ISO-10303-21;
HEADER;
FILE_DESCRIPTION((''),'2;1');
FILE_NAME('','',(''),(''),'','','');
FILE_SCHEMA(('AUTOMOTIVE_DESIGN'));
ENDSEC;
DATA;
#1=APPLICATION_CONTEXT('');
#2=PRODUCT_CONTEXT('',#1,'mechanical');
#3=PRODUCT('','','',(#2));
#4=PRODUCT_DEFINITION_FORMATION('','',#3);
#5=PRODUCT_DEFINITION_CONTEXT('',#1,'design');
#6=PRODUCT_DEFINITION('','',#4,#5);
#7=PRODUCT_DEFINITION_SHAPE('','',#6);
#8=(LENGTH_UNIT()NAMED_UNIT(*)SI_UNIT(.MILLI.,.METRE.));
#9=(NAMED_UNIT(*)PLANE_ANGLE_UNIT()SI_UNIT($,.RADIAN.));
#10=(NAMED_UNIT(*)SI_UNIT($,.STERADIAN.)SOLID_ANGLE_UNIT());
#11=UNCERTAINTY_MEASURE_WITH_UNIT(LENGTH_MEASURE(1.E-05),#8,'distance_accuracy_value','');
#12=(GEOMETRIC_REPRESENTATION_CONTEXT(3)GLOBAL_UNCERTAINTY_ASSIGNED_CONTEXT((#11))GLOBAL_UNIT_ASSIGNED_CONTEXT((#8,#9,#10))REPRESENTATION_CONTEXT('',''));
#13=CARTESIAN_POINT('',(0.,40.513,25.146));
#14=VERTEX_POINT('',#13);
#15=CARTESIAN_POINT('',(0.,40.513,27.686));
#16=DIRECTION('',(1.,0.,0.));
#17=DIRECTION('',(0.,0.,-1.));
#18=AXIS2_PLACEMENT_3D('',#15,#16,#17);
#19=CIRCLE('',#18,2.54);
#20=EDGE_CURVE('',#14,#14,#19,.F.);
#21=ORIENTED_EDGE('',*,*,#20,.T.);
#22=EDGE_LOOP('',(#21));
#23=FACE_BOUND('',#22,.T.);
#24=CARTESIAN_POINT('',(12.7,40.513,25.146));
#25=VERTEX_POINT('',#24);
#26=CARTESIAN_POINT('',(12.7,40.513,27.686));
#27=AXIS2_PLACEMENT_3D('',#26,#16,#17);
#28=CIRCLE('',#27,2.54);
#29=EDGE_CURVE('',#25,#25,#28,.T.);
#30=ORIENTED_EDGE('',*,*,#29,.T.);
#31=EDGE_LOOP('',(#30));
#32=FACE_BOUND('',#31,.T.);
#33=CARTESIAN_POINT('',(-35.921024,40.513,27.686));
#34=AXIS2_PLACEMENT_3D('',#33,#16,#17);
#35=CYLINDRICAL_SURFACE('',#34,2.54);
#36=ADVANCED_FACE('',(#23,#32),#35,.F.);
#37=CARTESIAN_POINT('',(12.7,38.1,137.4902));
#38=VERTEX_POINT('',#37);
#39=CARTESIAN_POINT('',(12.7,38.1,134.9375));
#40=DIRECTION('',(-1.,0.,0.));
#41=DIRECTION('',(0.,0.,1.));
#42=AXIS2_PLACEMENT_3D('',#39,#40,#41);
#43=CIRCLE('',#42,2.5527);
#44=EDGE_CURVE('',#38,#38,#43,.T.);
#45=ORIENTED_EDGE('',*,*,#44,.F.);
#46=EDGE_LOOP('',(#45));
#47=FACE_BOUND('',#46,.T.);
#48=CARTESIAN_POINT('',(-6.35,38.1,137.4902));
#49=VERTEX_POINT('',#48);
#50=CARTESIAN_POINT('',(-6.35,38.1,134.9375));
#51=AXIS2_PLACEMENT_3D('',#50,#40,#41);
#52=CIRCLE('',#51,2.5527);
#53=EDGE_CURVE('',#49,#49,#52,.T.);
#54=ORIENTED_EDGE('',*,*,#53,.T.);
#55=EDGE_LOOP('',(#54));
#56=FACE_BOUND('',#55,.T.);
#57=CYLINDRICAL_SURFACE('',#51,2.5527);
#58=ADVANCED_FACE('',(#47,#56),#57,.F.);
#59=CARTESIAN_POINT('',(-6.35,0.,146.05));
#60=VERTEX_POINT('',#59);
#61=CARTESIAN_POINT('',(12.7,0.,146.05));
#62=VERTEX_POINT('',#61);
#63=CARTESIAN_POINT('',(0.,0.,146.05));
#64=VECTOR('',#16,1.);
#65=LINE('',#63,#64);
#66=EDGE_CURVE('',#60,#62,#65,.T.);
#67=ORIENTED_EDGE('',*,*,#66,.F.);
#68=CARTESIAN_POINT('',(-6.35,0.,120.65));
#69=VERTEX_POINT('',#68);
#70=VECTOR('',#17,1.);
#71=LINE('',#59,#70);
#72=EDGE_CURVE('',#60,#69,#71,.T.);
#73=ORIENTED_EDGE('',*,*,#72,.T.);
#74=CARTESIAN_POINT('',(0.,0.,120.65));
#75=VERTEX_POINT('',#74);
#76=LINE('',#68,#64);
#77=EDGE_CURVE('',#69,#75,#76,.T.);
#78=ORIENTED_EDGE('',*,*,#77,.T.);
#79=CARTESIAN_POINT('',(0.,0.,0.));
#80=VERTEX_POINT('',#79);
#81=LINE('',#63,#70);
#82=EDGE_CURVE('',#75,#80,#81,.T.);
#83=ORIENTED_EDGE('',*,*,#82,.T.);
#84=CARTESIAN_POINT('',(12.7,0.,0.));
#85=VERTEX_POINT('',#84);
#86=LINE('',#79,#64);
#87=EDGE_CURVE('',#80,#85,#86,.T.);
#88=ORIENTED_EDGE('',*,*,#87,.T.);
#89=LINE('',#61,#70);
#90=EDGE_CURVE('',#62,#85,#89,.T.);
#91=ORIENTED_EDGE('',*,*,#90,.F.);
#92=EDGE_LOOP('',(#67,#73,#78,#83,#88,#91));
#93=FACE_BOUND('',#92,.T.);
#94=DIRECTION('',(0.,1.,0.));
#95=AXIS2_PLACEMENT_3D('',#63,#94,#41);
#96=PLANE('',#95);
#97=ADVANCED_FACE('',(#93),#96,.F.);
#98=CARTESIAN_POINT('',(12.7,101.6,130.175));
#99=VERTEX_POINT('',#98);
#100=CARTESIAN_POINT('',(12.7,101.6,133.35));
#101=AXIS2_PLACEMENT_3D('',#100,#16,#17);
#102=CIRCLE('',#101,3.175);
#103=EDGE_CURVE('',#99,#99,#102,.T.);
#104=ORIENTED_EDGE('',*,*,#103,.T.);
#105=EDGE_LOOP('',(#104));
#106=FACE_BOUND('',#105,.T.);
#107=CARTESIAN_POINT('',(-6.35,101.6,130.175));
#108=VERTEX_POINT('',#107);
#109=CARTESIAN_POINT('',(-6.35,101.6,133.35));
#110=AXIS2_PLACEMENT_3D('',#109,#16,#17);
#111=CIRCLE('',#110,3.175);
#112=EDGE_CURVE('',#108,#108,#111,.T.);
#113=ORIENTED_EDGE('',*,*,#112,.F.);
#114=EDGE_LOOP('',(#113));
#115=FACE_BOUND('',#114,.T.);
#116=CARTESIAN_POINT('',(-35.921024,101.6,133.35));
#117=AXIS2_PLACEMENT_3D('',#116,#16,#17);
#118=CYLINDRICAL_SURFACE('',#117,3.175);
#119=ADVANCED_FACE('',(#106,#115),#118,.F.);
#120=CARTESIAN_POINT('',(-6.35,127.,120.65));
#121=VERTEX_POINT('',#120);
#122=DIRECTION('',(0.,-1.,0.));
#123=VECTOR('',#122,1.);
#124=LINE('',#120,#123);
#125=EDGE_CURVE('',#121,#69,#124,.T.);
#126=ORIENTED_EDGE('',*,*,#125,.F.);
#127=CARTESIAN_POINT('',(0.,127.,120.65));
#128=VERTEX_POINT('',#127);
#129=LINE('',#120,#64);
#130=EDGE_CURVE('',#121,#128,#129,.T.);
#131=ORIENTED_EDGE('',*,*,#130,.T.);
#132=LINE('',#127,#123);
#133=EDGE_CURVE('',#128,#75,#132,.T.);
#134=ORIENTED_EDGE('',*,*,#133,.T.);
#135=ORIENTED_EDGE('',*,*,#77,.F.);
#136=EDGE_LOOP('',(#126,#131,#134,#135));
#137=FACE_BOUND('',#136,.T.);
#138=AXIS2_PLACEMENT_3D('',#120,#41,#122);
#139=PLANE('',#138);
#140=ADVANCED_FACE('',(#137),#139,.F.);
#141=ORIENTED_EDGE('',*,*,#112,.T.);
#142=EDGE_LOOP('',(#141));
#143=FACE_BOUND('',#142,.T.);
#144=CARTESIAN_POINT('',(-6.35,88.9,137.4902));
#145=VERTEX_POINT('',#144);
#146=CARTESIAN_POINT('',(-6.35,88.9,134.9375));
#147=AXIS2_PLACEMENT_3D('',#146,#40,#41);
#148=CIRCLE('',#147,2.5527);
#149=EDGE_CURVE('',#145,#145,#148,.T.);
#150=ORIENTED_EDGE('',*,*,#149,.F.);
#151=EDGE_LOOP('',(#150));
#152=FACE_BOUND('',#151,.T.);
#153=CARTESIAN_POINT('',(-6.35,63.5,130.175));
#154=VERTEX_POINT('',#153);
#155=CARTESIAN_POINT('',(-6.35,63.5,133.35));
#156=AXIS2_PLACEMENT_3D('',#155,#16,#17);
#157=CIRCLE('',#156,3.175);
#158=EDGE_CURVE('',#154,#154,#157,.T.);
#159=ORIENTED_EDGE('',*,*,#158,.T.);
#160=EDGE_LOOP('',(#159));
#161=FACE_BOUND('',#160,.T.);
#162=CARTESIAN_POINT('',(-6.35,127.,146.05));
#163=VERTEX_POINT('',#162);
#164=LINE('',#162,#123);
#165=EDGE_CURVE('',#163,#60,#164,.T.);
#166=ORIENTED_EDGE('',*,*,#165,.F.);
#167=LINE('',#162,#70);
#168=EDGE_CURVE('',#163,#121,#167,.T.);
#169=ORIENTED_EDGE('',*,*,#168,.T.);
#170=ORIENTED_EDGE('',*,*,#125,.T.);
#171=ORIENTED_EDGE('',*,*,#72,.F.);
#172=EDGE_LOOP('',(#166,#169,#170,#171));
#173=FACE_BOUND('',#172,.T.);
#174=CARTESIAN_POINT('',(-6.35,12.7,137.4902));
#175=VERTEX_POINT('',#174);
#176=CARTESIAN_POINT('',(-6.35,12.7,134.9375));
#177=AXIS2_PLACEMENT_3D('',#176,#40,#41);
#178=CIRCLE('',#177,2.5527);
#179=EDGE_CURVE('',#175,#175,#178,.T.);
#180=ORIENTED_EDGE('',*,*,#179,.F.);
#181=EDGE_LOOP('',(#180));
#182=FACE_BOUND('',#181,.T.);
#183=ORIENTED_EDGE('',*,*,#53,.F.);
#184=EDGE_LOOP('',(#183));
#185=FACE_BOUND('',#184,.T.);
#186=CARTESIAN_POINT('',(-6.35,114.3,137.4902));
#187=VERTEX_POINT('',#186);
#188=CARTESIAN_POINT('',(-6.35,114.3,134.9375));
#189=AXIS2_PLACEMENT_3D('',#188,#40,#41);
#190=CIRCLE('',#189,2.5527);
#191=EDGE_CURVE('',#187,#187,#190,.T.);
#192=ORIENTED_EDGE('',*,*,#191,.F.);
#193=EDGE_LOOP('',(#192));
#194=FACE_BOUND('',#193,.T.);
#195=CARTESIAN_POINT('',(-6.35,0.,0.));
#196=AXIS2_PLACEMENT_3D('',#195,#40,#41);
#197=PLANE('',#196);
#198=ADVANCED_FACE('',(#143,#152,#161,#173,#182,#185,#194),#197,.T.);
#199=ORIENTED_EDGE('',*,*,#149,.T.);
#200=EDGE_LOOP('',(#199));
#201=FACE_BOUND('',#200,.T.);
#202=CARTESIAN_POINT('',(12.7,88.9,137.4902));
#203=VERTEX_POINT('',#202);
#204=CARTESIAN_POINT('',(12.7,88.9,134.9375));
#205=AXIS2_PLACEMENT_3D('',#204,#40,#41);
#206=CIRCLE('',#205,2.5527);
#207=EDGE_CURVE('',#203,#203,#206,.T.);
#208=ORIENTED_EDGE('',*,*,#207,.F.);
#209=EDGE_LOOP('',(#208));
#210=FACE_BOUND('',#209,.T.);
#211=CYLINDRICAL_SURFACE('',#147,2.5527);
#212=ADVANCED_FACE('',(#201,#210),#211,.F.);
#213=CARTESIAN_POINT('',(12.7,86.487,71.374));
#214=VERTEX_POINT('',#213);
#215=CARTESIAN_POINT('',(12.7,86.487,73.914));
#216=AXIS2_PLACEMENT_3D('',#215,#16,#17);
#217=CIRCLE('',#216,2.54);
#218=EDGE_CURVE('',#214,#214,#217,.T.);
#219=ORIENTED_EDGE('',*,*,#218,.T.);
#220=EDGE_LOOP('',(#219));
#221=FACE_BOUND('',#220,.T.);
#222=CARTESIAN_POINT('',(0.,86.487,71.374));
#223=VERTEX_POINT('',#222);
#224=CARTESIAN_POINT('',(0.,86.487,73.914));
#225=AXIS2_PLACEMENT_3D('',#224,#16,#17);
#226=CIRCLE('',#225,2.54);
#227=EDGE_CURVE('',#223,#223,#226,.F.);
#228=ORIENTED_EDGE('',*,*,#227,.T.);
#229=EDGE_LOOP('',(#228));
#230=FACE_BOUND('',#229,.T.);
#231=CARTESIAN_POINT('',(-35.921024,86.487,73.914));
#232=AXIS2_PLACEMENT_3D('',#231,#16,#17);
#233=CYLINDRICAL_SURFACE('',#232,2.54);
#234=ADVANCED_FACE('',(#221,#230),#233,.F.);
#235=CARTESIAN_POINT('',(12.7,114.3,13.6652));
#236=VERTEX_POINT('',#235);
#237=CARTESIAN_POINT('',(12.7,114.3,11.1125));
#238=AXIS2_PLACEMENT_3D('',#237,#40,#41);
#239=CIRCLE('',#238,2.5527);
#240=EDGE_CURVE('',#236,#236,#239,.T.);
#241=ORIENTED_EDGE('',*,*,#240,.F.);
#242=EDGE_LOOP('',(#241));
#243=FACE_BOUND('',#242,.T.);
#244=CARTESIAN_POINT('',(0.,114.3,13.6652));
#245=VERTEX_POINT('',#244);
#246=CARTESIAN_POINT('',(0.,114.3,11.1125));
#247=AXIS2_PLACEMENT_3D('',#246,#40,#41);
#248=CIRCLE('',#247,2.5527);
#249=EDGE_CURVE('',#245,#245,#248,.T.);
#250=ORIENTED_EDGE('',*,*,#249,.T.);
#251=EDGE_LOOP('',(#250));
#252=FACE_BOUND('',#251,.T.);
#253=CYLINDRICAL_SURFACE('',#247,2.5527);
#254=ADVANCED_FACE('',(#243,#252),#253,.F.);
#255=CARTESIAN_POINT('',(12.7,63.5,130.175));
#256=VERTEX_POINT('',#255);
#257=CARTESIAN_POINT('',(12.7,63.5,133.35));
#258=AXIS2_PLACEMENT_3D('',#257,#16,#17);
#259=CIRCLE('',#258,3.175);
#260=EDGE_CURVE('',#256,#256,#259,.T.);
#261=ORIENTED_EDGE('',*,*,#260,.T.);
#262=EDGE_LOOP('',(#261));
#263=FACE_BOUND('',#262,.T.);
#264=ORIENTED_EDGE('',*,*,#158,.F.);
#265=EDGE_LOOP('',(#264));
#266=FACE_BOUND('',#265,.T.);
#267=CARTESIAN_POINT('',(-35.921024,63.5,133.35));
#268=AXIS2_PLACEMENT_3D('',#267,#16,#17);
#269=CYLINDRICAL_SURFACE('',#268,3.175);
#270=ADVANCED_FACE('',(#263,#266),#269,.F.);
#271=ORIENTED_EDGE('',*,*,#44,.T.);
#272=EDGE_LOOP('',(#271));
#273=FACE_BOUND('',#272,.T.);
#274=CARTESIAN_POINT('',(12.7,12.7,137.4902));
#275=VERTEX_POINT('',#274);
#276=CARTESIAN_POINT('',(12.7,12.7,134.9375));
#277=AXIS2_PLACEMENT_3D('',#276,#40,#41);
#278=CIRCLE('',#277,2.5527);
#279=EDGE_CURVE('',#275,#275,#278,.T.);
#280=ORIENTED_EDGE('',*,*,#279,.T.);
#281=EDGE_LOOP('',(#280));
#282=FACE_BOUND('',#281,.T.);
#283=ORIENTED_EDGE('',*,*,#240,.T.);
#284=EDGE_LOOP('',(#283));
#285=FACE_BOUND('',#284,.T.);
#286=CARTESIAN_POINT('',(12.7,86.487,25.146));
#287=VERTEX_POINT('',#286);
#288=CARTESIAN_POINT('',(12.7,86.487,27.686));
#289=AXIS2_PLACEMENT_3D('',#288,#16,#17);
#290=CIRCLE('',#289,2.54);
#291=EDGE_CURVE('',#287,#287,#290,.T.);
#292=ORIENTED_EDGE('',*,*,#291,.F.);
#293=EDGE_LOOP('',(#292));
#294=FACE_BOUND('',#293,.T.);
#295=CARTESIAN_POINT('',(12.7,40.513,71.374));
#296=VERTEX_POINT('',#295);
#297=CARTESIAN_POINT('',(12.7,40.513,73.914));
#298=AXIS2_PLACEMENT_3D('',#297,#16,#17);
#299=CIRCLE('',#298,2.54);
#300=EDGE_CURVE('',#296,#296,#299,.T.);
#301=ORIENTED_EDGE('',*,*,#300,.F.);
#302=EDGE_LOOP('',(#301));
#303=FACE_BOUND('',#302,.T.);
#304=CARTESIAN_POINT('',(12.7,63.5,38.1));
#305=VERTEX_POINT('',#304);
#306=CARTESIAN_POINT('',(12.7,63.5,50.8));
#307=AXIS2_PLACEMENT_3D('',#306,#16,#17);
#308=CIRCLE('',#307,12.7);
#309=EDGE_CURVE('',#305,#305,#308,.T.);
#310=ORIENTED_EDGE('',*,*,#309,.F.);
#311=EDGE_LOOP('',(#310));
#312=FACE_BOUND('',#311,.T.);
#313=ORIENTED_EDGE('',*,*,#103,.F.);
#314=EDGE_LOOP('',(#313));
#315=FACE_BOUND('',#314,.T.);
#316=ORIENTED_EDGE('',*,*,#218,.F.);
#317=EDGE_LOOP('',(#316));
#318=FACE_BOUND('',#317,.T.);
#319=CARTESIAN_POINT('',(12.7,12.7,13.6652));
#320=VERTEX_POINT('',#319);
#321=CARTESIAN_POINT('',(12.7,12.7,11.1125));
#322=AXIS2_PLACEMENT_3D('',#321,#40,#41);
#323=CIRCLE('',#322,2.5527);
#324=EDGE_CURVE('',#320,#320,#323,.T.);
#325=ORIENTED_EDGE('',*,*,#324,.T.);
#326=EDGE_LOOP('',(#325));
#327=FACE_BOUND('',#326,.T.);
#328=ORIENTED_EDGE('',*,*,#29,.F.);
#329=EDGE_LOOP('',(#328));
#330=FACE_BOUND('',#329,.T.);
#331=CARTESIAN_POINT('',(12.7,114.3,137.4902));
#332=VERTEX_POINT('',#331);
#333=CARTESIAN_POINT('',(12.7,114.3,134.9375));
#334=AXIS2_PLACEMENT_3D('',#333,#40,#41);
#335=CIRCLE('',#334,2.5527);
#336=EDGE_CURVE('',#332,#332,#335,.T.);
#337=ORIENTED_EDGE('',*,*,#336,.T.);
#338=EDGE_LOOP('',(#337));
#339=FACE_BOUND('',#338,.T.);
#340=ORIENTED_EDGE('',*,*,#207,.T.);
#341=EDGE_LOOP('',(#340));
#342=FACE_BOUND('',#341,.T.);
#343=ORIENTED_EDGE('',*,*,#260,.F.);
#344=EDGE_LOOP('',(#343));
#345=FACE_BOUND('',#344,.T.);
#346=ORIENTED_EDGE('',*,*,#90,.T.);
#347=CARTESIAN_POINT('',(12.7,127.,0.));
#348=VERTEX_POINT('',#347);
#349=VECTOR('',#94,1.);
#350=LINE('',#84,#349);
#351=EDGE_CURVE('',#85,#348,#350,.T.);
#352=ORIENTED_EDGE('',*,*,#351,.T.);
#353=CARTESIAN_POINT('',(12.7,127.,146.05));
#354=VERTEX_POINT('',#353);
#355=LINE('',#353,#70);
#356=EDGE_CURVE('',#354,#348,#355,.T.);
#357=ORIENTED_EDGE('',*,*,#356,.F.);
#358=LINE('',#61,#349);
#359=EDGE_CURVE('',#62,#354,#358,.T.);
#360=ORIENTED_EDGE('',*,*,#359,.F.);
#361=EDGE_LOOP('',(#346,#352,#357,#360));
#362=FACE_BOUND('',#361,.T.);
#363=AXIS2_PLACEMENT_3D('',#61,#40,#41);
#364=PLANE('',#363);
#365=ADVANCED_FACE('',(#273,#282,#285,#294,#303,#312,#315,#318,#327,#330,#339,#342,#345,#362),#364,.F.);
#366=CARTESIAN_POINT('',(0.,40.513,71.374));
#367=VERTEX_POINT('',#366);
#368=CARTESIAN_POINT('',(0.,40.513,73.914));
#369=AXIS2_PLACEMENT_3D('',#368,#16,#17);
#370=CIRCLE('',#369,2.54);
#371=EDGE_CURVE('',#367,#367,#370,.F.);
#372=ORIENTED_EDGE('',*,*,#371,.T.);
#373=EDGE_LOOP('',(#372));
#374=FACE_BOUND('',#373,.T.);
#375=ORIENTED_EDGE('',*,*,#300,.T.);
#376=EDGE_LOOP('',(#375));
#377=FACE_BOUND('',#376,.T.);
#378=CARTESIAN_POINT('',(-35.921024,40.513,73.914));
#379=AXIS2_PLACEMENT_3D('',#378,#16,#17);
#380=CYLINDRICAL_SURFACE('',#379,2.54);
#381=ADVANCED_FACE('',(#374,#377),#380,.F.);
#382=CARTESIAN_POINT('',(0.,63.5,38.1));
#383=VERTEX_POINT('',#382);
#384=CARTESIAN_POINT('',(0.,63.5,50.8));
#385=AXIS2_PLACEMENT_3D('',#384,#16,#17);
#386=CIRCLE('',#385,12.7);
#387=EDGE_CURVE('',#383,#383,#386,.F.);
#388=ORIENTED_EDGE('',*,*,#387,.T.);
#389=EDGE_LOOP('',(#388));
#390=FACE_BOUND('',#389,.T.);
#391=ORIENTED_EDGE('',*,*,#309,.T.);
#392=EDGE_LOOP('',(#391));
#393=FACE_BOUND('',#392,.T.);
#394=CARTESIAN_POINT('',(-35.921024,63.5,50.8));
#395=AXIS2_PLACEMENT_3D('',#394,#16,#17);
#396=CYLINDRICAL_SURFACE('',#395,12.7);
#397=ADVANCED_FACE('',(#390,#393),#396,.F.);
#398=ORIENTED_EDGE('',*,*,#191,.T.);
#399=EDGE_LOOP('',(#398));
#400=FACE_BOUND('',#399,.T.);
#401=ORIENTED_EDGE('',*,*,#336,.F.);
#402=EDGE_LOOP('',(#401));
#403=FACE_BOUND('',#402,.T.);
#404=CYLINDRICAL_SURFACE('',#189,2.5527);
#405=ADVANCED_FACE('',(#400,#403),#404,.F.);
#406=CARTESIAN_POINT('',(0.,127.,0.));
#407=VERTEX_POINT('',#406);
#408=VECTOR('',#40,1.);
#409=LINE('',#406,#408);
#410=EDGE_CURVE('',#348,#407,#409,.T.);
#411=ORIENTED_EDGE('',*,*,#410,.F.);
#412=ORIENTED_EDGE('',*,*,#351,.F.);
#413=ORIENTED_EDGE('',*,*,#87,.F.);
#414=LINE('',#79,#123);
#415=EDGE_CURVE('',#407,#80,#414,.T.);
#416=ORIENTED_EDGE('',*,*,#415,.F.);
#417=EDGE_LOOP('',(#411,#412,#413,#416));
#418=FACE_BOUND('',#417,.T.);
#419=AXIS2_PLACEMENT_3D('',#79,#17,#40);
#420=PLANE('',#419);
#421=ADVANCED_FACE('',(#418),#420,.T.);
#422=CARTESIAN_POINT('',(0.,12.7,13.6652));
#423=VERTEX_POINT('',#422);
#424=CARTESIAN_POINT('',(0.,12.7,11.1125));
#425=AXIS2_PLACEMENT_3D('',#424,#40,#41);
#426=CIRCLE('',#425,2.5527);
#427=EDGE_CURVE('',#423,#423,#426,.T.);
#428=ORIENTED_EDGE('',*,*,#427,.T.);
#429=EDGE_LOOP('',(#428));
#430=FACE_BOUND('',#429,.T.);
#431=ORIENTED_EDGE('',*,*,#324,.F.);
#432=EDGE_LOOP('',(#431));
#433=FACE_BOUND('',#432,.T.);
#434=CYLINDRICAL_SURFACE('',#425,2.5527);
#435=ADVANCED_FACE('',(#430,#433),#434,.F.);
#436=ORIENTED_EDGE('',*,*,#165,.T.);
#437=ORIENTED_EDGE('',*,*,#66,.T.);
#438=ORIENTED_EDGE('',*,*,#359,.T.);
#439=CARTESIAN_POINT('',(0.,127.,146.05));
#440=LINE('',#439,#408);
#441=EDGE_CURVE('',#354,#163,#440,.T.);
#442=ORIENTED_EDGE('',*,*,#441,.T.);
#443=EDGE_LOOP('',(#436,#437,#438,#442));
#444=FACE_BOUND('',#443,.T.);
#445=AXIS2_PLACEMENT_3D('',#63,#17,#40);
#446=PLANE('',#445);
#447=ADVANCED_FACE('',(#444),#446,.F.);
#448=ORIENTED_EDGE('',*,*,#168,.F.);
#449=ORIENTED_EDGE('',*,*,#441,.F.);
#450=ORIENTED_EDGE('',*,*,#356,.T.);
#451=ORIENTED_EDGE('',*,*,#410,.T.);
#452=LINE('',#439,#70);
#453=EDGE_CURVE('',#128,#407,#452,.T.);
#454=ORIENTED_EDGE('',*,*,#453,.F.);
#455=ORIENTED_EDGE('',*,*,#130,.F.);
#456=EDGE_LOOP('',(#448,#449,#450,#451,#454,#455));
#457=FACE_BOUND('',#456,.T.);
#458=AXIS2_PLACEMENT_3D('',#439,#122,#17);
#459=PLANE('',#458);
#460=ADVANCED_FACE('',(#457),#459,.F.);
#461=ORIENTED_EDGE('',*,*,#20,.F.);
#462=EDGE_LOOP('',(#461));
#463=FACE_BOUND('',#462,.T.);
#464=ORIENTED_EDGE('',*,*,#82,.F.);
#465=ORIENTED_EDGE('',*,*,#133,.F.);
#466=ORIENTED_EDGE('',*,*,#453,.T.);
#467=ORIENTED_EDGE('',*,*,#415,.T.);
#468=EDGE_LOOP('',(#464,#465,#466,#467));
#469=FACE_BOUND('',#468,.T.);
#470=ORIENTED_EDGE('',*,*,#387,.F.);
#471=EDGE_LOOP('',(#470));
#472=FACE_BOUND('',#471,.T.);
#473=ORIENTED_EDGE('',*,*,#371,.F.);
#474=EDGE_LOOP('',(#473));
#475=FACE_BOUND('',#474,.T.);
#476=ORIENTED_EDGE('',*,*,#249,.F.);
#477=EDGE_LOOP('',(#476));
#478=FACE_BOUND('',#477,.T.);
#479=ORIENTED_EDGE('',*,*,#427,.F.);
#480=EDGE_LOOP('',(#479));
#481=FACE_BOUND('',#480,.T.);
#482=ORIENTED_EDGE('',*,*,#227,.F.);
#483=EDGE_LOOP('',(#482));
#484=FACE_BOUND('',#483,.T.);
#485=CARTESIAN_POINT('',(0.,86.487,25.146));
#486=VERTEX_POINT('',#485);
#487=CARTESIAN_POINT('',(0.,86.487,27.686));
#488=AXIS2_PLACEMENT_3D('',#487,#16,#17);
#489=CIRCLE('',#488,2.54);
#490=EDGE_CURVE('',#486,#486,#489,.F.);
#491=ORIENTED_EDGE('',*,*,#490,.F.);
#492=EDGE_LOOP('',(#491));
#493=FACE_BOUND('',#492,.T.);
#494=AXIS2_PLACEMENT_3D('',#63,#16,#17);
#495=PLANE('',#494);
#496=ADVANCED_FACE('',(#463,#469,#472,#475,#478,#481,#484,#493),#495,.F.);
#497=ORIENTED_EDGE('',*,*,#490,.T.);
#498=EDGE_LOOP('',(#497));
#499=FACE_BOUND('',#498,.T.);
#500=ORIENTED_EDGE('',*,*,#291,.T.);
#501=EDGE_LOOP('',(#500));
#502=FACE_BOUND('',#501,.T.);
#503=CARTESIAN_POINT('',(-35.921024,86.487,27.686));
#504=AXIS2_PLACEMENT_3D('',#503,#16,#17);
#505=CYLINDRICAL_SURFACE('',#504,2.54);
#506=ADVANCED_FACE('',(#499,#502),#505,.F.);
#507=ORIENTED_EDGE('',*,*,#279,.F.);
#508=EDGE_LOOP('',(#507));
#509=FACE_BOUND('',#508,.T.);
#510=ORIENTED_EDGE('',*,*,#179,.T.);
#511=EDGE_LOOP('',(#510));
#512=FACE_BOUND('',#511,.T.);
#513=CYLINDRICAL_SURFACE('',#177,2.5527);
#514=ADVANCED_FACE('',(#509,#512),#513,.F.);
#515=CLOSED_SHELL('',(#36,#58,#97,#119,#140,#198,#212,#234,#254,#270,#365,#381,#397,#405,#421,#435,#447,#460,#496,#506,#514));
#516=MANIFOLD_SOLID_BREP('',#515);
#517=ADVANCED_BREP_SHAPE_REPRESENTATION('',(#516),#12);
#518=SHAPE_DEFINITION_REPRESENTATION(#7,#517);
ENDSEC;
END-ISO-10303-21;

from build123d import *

# Parameters (mm, degrees)
SKETCH1_W               = 12.7
SKETCH1_H               = 127
BOSS_EXTRUDE1_DEPTH     = 146.05
SKETCH3_R               = 3.175
SKETCH3_R_2             = 12.7
SKETCH3_R_3             = 2.54
CUT_EXTRUDE1_DEPTH      = 12.7
SKETCH4_W               = 25.4
SKETCH4_H               = 127
BOSS_EXTRUDE2_DEPTH     = 6.35
SKETCH9_R               = 3.175
CUT_EXTRUDE2_DEPTH      = 194.961059236
F_1_4_20_TAPPED_HOLE1_D = 5.1054
F_1_4_20_TAPPED_HOLE2_D = 5.1054


with BuildPart() as part:
    # Sketch1 → Boss-Extrude1 (new body)
    with BuildSketch(Plane.XY):
        with Locations((6.35, 63.5)):
            Rectangle(SKETCH1_W, SKETCH1_H)
    extrude(amount=BOSS_EXTRUDE1_DEPTH)

    # Sketch3 → Cut-Extrude1 (cut)
    with BuildSketch(Plane(origin=(12.7, 0, 0), x_dir=(0, 0, -1), z_dir=(1, 0, 0))):
        with Locations((-133.35, 63.5)):
            Circle(SKETCH3_R)
        with Locations((-133.35, 101.6)):
            Circle(SKETCH3_R)
        with Locations((-50.8, 63.5)):
            Circle(SKETCH3_R_2)
        with Locations((-73.914, 86.487)):
            Circle(SKETCH3_R_3)
        with Locations((-27.686, 86.487)):
            Circle(SKETCH3_R_3)
        with Locations((-27.686, 40.513)):
            Circle(SKETCH3_R_3)
        with Locations((-73.914, 40.513)):
            Circle(SKETCH3_R_3)
    extrude(amount=-CUT_EXTRUDE1_DEPTH, mode=Mode.SUBTRACT)

    # Sketch4 → Boss-Extrude2 (add)
    with BuildSketch(Plane.ZY):
        with Locations((133.35, 63.5)):
            Rectangle(SKETCH4_W, SKETCH4_H)
    extrude(amount=BOSS_EXTRUDE2_DEPTH)

    # Sketch9 → Cut-Extrude2 (cut, through all)
    with BuildSketch(Plane(origin=(0, 0, 0), x_dir=(0, 0, -1), z_dir=(1, 0, 0))):
        with Locations((-133.35, 101.6)):
            Circle(SKETCH9_R)
        with Locations((-133.35, 63.5)):
            Circle(SKETCH9_R)
    extrude(amount=-CUT_EXTRUDE2_DEPTH, mode=Mode.SUBTRACT)

    # 1/4-20 Tapped Hole1 (through all)
    with Locations(Plane.ZY):
        with Locations((11.1125, 114.3), (11.1125, 12.7)):
            Hole(F_1_4_20_TAPPED_HOLE1_D / 2)

    # 1/4-20 Tapped Hole2 (through all)
    with Locations(Plane.ZY.offset(6.35)):
        with Locations((134.9375, 114.3), (134.9375, 88.9), (134.9375, 38.1), (134.9375, 12.7)):
            Hole(F_1_4_20_TAPPED_HOLE2_D / 2)


solid = part.part
